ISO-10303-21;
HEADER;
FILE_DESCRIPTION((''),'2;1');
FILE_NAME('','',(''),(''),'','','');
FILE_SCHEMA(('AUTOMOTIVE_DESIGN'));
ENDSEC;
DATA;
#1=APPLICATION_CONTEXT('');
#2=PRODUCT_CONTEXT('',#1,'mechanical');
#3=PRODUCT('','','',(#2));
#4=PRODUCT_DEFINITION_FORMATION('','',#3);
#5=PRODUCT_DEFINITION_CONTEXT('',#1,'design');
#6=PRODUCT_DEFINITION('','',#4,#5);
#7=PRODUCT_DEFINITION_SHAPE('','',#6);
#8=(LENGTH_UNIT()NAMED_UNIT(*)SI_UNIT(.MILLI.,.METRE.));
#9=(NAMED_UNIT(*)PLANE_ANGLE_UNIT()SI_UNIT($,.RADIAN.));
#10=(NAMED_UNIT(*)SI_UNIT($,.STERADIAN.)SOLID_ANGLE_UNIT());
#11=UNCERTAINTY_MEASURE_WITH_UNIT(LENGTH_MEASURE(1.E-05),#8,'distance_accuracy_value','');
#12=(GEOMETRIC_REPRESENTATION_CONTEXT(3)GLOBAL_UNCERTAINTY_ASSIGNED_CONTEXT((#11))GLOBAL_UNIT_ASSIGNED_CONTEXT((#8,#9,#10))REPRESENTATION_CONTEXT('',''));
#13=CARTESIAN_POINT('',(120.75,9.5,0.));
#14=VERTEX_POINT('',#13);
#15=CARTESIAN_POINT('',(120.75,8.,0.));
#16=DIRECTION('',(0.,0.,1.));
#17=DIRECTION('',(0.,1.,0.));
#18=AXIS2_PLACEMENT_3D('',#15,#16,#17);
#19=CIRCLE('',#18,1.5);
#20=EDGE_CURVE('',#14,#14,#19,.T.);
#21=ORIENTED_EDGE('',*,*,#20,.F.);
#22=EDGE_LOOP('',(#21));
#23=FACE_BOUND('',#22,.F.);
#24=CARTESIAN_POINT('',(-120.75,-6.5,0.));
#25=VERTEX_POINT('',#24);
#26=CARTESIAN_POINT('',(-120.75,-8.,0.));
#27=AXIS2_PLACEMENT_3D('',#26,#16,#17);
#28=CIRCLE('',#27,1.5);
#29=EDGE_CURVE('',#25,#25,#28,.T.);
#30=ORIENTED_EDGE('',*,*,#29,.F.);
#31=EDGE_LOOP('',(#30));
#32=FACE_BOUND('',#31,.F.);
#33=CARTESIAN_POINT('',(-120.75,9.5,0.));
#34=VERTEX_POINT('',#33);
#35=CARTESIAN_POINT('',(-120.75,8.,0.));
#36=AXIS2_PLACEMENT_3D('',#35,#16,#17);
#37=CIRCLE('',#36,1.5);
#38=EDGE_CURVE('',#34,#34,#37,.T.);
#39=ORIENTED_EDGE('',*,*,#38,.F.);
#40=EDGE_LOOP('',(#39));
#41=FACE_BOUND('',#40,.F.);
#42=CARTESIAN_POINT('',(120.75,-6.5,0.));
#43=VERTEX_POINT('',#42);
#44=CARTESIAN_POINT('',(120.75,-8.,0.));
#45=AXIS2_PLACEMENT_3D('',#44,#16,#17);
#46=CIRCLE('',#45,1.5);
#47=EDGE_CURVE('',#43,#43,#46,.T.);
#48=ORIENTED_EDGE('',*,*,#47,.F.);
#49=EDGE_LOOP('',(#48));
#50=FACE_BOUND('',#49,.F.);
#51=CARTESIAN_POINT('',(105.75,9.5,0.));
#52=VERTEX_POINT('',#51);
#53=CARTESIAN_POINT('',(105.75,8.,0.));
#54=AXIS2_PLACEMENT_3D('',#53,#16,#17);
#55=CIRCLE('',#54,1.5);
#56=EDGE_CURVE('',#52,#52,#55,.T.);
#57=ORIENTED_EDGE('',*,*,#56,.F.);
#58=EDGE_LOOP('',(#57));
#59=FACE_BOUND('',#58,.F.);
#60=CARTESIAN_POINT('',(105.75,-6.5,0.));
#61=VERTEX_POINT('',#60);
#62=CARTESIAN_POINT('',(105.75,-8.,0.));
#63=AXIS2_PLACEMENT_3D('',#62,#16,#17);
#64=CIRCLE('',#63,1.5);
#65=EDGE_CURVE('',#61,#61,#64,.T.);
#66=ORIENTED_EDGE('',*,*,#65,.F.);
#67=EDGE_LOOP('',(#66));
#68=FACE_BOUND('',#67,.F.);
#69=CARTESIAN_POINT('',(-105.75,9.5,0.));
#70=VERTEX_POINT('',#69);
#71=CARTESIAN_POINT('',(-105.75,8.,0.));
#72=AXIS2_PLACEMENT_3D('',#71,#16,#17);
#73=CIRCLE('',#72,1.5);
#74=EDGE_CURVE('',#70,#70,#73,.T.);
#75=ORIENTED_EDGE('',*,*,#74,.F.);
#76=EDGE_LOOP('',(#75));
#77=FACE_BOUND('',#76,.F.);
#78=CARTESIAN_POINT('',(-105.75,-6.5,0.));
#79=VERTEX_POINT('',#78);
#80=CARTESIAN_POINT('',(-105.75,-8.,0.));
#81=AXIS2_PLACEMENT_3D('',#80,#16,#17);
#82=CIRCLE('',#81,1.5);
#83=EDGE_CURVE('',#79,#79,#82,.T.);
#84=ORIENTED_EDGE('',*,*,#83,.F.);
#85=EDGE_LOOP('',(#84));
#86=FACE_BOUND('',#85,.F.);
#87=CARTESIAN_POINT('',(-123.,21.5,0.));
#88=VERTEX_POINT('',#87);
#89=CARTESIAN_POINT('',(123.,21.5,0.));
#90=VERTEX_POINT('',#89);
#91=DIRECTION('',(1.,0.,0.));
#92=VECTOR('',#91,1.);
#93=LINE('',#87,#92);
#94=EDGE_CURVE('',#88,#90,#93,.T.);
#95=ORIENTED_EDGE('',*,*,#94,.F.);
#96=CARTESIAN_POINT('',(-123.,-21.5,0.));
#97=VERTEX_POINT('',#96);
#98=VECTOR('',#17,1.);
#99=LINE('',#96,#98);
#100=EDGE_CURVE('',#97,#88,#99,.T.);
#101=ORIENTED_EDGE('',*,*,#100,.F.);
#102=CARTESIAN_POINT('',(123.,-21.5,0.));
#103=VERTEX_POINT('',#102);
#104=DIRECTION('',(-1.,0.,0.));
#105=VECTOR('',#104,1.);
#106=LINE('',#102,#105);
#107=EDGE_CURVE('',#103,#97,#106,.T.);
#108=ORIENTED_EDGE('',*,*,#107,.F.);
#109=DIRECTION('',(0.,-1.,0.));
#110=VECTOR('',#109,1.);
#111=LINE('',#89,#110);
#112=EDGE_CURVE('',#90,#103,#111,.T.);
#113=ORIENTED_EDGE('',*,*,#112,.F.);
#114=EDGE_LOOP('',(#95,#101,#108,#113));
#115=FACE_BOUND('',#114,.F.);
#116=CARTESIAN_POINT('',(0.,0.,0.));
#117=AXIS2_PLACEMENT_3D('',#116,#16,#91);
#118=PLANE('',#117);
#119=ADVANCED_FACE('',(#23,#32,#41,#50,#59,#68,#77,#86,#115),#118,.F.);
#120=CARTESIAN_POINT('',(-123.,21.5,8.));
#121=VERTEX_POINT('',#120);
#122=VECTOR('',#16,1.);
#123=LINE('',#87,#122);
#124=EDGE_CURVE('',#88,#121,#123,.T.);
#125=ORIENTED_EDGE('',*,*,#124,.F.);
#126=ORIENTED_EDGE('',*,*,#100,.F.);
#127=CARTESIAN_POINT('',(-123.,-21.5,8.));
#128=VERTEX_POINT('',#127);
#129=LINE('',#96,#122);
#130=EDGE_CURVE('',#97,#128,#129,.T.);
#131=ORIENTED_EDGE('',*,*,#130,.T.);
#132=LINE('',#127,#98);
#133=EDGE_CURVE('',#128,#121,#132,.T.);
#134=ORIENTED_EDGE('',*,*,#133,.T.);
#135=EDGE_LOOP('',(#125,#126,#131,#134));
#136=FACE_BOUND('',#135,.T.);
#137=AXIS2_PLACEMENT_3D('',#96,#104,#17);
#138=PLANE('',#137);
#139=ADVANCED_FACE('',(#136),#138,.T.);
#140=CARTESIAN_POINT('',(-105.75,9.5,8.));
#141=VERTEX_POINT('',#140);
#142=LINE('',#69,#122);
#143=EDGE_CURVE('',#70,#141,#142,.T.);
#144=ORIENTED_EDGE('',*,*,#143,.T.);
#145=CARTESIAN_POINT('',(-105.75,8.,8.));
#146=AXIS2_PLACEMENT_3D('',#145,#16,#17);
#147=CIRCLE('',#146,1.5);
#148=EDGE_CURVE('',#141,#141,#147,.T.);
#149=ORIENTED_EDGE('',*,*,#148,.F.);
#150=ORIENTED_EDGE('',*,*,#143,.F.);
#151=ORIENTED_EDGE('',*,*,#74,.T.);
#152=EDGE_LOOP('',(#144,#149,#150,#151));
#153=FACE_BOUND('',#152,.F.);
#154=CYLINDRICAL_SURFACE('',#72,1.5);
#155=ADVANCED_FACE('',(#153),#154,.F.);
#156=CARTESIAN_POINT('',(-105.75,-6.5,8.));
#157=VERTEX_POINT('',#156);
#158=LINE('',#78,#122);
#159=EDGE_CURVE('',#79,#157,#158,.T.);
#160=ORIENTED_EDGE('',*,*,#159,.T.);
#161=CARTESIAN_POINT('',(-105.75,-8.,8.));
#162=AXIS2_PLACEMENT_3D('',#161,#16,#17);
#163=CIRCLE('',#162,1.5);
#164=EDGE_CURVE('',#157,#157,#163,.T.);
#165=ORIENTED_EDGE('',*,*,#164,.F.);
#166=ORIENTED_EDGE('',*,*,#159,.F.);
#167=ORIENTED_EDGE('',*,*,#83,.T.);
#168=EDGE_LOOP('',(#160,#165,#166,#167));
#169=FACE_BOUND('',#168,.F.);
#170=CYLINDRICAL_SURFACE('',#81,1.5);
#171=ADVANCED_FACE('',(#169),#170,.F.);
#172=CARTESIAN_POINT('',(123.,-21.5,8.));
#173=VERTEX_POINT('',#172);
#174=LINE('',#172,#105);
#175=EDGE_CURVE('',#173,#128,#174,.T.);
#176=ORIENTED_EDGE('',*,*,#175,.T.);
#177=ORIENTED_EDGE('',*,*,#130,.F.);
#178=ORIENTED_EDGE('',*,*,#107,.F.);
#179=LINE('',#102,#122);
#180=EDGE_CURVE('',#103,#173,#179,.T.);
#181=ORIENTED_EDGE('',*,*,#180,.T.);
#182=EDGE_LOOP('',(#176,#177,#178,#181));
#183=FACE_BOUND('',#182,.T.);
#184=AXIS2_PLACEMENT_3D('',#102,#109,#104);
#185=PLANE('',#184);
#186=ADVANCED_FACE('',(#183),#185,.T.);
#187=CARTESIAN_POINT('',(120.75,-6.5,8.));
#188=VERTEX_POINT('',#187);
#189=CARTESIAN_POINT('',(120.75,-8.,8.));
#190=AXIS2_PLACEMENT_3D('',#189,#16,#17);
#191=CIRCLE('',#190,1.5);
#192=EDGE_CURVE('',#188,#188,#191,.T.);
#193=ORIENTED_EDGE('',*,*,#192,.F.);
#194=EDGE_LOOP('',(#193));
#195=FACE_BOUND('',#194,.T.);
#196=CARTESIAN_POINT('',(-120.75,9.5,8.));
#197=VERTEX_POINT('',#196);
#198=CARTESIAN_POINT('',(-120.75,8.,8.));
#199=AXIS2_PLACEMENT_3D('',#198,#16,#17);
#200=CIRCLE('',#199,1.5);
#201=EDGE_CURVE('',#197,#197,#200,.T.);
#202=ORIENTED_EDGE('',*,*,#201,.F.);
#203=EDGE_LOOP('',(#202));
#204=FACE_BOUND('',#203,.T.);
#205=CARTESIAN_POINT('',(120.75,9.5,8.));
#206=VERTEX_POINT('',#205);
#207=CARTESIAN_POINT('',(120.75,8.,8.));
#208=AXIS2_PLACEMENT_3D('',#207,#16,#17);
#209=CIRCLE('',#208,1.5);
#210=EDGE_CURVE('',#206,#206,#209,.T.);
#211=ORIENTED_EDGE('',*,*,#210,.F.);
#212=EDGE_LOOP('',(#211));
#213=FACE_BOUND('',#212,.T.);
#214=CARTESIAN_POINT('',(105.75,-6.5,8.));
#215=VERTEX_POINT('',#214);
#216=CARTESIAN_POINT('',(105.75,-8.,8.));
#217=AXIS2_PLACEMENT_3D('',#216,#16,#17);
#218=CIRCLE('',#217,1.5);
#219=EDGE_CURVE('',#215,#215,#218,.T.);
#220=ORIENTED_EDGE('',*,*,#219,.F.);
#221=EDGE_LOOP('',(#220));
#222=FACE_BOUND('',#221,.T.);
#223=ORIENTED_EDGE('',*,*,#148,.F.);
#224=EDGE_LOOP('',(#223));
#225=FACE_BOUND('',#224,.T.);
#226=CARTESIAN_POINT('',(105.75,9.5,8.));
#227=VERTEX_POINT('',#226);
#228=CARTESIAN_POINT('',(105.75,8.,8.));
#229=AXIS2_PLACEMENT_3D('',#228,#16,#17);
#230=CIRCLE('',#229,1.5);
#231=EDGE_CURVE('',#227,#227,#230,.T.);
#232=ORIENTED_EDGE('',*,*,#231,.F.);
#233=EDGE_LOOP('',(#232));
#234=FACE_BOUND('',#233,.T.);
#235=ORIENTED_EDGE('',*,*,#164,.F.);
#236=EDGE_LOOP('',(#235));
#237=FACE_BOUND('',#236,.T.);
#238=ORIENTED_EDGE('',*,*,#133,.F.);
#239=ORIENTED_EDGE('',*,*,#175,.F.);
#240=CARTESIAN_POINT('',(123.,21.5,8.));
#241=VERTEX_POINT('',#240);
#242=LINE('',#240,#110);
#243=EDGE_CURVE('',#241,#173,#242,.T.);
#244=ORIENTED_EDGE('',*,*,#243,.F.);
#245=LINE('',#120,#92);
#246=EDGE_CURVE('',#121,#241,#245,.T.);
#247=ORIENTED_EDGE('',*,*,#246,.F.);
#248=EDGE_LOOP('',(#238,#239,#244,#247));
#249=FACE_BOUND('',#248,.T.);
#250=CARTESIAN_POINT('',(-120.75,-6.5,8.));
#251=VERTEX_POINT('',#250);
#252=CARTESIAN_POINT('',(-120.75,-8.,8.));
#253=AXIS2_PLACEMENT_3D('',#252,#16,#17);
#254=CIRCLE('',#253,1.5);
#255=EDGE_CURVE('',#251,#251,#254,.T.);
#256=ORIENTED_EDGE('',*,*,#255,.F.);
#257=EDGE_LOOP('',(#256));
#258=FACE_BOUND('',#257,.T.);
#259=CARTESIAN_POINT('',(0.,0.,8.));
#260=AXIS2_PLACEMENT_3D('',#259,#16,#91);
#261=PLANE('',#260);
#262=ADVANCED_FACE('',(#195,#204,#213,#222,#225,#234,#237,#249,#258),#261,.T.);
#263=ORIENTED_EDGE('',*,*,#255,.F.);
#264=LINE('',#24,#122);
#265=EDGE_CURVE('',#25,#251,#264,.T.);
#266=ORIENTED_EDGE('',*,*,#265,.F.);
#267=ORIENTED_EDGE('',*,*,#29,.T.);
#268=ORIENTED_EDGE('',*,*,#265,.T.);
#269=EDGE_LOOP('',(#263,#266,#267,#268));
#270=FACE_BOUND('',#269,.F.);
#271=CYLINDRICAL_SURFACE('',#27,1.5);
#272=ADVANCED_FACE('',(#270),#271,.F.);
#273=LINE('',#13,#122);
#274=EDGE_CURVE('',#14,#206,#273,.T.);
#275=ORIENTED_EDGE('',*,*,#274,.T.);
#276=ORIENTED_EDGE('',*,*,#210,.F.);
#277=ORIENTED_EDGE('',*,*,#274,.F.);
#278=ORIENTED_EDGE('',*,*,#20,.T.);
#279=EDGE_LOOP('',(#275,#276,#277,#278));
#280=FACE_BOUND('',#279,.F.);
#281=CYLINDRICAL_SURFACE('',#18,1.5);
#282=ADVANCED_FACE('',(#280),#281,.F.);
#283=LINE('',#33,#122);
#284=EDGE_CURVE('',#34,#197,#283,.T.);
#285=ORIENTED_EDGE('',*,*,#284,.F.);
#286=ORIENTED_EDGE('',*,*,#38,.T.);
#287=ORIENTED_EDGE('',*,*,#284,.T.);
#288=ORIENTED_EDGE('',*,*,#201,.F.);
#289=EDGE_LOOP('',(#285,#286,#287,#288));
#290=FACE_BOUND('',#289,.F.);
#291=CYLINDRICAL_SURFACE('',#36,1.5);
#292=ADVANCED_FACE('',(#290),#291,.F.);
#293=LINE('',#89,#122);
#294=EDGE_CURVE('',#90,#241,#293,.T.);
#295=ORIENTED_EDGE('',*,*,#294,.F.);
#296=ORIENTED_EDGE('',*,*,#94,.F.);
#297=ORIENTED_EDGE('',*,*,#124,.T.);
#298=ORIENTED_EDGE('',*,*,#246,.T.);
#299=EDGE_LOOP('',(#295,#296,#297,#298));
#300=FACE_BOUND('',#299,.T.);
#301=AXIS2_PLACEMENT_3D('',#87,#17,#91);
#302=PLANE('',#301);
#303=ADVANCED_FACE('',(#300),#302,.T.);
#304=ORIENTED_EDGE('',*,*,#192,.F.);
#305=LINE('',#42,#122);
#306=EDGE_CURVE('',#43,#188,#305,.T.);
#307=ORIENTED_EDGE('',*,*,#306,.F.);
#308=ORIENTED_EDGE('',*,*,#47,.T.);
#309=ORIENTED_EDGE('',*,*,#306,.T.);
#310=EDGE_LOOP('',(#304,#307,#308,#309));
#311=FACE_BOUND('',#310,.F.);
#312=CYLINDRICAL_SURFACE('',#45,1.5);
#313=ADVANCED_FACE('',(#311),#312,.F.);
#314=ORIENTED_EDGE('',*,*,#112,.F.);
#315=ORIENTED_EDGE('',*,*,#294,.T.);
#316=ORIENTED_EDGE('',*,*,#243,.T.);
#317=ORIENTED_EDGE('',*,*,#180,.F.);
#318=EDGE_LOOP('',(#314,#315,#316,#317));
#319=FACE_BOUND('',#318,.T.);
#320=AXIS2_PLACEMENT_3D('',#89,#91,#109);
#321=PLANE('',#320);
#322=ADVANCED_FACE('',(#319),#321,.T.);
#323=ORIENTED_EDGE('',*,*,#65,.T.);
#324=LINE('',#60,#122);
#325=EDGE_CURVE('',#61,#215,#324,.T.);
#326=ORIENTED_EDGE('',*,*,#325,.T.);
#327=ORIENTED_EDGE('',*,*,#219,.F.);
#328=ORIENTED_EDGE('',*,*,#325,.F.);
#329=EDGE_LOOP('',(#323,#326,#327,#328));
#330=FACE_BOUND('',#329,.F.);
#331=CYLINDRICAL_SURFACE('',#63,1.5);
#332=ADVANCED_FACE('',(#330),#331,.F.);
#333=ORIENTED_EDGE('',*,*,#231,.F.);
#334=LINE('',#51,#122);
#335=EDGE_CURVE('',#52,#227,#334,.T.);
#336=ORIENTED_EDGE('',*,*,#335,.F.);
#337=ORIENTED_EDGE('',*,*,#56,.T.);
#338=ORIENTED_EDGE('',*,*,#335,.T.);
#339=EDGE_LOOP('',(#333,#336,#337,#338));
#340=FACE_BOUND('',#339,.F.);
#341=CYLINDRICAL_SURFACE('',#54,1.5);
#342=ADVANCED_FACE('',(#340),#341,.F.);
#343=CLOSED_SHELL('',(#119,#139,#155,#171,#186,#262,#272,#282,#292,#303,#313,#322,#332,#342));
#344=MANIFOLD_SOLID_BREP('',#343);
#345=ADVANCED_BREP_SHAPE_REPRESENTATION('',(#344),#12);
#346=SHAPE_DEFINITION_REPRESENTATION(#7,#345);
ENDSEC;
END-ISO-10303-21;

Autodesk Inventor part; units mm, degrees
ref_plane "YZ Plane" through (0, 0, 0) normal (1, 0, 0) x (0, 1, 0)
ref_plane "XZ Plane" through (0, 0, 0) normal (0, 1, 0) x (-1, 0, 0)
ref_plane "XY Plane" through (0, 0, 0) normal (0, 0, 1) x (1, 0, 0)
sketch "Sketch1" plane through (0, 0, 0) normal (0, 0, 1) x (1, 0, 0)
  line L0 (-123, 21.5) -> (123, 21.5)
  line L1 (123, 21.5) -> (123, -21.5)
  line L2 (123, -21.5) -> (-123, -21.5)
  line L3 (-123, -21.5) -> (-123, 21.5)
  line L4 (-123, 21.5) -> (123, -21.5) construction
  line L5 (123, 21.5) -> (-123, -21.5) construction
  line L6 (0, -155.5635) -> (155.5635, 0) construction
  line L7 (155.5635, 0) -> (0, 155.5635) construction
  line L8 (0, 155.5635) -> (-155.5635, 0) construction
  line L9 (-155.5635, 0) -> (0, -155.5635) construction
  line L10 (0, -155.5635) -> (0, 155.5635) construction
  line L11 (155.5635, 0) -> (-155.5635, 0) construction
  line L12 (0, -155.5635) -> (220, -155.5635) construction
  line L13 (-120.75, -8) -> (120.75, -8)
  line L14 (120.75, -8) -> (120.75, 8)
  line L15 (120.75, 8) -> (-120.75, 8)
  line L16 (-120.75, 8) -> (-120.75, -8)
  line L17 (-120.75, -8) -> (120.75, 8) construction
  line L18 (120.75, -8) -> (-120.75, 8) construction
  line L19 (-105.75, -8) -> (105.75, -8)
  line L20 (105.75, -8) -> (105.75, 8)
  line L21 (105.75, 8) -> (-105.75, 8)
  line L22 (-105.75, 8) -> (-105.75, -8)
  line L23 (-105.75, -8) -> (105.75, 8) construction
  line L24 (105.75, -8) -> (-105.75, 8) construction
  point P0 (0, 0)
  dimension "d0" = 246
  dimension "d1" = 220
  dimension "d2" = 45
  dimension "d3" = 220
  dimension "d4" = 43
  dimension "d5" = 241.5
  dimension "d6" = 16
  dimension "d7" = 15
extrude "Extrusion1" add sketch "Sketch1" along normal blind 8 contours L0 L1 L2 L3 | L16 L15 L22 L13 | L22 L15 L20 L13 | L20 L15 L14 L13
hole "Hole1" at (-105.75, -8, 0) at (-120.75, -8, 0) at (-120.75, 8, 0) at (-105.75, 8, 0) at (120.75, -8, 0) at (105.75, -8, 0) at (105.75, 8, 0) at (120.75, 8, 0) direction (0, 0, 1) diameter 3 end through all
properties material "ABS Plastic"
